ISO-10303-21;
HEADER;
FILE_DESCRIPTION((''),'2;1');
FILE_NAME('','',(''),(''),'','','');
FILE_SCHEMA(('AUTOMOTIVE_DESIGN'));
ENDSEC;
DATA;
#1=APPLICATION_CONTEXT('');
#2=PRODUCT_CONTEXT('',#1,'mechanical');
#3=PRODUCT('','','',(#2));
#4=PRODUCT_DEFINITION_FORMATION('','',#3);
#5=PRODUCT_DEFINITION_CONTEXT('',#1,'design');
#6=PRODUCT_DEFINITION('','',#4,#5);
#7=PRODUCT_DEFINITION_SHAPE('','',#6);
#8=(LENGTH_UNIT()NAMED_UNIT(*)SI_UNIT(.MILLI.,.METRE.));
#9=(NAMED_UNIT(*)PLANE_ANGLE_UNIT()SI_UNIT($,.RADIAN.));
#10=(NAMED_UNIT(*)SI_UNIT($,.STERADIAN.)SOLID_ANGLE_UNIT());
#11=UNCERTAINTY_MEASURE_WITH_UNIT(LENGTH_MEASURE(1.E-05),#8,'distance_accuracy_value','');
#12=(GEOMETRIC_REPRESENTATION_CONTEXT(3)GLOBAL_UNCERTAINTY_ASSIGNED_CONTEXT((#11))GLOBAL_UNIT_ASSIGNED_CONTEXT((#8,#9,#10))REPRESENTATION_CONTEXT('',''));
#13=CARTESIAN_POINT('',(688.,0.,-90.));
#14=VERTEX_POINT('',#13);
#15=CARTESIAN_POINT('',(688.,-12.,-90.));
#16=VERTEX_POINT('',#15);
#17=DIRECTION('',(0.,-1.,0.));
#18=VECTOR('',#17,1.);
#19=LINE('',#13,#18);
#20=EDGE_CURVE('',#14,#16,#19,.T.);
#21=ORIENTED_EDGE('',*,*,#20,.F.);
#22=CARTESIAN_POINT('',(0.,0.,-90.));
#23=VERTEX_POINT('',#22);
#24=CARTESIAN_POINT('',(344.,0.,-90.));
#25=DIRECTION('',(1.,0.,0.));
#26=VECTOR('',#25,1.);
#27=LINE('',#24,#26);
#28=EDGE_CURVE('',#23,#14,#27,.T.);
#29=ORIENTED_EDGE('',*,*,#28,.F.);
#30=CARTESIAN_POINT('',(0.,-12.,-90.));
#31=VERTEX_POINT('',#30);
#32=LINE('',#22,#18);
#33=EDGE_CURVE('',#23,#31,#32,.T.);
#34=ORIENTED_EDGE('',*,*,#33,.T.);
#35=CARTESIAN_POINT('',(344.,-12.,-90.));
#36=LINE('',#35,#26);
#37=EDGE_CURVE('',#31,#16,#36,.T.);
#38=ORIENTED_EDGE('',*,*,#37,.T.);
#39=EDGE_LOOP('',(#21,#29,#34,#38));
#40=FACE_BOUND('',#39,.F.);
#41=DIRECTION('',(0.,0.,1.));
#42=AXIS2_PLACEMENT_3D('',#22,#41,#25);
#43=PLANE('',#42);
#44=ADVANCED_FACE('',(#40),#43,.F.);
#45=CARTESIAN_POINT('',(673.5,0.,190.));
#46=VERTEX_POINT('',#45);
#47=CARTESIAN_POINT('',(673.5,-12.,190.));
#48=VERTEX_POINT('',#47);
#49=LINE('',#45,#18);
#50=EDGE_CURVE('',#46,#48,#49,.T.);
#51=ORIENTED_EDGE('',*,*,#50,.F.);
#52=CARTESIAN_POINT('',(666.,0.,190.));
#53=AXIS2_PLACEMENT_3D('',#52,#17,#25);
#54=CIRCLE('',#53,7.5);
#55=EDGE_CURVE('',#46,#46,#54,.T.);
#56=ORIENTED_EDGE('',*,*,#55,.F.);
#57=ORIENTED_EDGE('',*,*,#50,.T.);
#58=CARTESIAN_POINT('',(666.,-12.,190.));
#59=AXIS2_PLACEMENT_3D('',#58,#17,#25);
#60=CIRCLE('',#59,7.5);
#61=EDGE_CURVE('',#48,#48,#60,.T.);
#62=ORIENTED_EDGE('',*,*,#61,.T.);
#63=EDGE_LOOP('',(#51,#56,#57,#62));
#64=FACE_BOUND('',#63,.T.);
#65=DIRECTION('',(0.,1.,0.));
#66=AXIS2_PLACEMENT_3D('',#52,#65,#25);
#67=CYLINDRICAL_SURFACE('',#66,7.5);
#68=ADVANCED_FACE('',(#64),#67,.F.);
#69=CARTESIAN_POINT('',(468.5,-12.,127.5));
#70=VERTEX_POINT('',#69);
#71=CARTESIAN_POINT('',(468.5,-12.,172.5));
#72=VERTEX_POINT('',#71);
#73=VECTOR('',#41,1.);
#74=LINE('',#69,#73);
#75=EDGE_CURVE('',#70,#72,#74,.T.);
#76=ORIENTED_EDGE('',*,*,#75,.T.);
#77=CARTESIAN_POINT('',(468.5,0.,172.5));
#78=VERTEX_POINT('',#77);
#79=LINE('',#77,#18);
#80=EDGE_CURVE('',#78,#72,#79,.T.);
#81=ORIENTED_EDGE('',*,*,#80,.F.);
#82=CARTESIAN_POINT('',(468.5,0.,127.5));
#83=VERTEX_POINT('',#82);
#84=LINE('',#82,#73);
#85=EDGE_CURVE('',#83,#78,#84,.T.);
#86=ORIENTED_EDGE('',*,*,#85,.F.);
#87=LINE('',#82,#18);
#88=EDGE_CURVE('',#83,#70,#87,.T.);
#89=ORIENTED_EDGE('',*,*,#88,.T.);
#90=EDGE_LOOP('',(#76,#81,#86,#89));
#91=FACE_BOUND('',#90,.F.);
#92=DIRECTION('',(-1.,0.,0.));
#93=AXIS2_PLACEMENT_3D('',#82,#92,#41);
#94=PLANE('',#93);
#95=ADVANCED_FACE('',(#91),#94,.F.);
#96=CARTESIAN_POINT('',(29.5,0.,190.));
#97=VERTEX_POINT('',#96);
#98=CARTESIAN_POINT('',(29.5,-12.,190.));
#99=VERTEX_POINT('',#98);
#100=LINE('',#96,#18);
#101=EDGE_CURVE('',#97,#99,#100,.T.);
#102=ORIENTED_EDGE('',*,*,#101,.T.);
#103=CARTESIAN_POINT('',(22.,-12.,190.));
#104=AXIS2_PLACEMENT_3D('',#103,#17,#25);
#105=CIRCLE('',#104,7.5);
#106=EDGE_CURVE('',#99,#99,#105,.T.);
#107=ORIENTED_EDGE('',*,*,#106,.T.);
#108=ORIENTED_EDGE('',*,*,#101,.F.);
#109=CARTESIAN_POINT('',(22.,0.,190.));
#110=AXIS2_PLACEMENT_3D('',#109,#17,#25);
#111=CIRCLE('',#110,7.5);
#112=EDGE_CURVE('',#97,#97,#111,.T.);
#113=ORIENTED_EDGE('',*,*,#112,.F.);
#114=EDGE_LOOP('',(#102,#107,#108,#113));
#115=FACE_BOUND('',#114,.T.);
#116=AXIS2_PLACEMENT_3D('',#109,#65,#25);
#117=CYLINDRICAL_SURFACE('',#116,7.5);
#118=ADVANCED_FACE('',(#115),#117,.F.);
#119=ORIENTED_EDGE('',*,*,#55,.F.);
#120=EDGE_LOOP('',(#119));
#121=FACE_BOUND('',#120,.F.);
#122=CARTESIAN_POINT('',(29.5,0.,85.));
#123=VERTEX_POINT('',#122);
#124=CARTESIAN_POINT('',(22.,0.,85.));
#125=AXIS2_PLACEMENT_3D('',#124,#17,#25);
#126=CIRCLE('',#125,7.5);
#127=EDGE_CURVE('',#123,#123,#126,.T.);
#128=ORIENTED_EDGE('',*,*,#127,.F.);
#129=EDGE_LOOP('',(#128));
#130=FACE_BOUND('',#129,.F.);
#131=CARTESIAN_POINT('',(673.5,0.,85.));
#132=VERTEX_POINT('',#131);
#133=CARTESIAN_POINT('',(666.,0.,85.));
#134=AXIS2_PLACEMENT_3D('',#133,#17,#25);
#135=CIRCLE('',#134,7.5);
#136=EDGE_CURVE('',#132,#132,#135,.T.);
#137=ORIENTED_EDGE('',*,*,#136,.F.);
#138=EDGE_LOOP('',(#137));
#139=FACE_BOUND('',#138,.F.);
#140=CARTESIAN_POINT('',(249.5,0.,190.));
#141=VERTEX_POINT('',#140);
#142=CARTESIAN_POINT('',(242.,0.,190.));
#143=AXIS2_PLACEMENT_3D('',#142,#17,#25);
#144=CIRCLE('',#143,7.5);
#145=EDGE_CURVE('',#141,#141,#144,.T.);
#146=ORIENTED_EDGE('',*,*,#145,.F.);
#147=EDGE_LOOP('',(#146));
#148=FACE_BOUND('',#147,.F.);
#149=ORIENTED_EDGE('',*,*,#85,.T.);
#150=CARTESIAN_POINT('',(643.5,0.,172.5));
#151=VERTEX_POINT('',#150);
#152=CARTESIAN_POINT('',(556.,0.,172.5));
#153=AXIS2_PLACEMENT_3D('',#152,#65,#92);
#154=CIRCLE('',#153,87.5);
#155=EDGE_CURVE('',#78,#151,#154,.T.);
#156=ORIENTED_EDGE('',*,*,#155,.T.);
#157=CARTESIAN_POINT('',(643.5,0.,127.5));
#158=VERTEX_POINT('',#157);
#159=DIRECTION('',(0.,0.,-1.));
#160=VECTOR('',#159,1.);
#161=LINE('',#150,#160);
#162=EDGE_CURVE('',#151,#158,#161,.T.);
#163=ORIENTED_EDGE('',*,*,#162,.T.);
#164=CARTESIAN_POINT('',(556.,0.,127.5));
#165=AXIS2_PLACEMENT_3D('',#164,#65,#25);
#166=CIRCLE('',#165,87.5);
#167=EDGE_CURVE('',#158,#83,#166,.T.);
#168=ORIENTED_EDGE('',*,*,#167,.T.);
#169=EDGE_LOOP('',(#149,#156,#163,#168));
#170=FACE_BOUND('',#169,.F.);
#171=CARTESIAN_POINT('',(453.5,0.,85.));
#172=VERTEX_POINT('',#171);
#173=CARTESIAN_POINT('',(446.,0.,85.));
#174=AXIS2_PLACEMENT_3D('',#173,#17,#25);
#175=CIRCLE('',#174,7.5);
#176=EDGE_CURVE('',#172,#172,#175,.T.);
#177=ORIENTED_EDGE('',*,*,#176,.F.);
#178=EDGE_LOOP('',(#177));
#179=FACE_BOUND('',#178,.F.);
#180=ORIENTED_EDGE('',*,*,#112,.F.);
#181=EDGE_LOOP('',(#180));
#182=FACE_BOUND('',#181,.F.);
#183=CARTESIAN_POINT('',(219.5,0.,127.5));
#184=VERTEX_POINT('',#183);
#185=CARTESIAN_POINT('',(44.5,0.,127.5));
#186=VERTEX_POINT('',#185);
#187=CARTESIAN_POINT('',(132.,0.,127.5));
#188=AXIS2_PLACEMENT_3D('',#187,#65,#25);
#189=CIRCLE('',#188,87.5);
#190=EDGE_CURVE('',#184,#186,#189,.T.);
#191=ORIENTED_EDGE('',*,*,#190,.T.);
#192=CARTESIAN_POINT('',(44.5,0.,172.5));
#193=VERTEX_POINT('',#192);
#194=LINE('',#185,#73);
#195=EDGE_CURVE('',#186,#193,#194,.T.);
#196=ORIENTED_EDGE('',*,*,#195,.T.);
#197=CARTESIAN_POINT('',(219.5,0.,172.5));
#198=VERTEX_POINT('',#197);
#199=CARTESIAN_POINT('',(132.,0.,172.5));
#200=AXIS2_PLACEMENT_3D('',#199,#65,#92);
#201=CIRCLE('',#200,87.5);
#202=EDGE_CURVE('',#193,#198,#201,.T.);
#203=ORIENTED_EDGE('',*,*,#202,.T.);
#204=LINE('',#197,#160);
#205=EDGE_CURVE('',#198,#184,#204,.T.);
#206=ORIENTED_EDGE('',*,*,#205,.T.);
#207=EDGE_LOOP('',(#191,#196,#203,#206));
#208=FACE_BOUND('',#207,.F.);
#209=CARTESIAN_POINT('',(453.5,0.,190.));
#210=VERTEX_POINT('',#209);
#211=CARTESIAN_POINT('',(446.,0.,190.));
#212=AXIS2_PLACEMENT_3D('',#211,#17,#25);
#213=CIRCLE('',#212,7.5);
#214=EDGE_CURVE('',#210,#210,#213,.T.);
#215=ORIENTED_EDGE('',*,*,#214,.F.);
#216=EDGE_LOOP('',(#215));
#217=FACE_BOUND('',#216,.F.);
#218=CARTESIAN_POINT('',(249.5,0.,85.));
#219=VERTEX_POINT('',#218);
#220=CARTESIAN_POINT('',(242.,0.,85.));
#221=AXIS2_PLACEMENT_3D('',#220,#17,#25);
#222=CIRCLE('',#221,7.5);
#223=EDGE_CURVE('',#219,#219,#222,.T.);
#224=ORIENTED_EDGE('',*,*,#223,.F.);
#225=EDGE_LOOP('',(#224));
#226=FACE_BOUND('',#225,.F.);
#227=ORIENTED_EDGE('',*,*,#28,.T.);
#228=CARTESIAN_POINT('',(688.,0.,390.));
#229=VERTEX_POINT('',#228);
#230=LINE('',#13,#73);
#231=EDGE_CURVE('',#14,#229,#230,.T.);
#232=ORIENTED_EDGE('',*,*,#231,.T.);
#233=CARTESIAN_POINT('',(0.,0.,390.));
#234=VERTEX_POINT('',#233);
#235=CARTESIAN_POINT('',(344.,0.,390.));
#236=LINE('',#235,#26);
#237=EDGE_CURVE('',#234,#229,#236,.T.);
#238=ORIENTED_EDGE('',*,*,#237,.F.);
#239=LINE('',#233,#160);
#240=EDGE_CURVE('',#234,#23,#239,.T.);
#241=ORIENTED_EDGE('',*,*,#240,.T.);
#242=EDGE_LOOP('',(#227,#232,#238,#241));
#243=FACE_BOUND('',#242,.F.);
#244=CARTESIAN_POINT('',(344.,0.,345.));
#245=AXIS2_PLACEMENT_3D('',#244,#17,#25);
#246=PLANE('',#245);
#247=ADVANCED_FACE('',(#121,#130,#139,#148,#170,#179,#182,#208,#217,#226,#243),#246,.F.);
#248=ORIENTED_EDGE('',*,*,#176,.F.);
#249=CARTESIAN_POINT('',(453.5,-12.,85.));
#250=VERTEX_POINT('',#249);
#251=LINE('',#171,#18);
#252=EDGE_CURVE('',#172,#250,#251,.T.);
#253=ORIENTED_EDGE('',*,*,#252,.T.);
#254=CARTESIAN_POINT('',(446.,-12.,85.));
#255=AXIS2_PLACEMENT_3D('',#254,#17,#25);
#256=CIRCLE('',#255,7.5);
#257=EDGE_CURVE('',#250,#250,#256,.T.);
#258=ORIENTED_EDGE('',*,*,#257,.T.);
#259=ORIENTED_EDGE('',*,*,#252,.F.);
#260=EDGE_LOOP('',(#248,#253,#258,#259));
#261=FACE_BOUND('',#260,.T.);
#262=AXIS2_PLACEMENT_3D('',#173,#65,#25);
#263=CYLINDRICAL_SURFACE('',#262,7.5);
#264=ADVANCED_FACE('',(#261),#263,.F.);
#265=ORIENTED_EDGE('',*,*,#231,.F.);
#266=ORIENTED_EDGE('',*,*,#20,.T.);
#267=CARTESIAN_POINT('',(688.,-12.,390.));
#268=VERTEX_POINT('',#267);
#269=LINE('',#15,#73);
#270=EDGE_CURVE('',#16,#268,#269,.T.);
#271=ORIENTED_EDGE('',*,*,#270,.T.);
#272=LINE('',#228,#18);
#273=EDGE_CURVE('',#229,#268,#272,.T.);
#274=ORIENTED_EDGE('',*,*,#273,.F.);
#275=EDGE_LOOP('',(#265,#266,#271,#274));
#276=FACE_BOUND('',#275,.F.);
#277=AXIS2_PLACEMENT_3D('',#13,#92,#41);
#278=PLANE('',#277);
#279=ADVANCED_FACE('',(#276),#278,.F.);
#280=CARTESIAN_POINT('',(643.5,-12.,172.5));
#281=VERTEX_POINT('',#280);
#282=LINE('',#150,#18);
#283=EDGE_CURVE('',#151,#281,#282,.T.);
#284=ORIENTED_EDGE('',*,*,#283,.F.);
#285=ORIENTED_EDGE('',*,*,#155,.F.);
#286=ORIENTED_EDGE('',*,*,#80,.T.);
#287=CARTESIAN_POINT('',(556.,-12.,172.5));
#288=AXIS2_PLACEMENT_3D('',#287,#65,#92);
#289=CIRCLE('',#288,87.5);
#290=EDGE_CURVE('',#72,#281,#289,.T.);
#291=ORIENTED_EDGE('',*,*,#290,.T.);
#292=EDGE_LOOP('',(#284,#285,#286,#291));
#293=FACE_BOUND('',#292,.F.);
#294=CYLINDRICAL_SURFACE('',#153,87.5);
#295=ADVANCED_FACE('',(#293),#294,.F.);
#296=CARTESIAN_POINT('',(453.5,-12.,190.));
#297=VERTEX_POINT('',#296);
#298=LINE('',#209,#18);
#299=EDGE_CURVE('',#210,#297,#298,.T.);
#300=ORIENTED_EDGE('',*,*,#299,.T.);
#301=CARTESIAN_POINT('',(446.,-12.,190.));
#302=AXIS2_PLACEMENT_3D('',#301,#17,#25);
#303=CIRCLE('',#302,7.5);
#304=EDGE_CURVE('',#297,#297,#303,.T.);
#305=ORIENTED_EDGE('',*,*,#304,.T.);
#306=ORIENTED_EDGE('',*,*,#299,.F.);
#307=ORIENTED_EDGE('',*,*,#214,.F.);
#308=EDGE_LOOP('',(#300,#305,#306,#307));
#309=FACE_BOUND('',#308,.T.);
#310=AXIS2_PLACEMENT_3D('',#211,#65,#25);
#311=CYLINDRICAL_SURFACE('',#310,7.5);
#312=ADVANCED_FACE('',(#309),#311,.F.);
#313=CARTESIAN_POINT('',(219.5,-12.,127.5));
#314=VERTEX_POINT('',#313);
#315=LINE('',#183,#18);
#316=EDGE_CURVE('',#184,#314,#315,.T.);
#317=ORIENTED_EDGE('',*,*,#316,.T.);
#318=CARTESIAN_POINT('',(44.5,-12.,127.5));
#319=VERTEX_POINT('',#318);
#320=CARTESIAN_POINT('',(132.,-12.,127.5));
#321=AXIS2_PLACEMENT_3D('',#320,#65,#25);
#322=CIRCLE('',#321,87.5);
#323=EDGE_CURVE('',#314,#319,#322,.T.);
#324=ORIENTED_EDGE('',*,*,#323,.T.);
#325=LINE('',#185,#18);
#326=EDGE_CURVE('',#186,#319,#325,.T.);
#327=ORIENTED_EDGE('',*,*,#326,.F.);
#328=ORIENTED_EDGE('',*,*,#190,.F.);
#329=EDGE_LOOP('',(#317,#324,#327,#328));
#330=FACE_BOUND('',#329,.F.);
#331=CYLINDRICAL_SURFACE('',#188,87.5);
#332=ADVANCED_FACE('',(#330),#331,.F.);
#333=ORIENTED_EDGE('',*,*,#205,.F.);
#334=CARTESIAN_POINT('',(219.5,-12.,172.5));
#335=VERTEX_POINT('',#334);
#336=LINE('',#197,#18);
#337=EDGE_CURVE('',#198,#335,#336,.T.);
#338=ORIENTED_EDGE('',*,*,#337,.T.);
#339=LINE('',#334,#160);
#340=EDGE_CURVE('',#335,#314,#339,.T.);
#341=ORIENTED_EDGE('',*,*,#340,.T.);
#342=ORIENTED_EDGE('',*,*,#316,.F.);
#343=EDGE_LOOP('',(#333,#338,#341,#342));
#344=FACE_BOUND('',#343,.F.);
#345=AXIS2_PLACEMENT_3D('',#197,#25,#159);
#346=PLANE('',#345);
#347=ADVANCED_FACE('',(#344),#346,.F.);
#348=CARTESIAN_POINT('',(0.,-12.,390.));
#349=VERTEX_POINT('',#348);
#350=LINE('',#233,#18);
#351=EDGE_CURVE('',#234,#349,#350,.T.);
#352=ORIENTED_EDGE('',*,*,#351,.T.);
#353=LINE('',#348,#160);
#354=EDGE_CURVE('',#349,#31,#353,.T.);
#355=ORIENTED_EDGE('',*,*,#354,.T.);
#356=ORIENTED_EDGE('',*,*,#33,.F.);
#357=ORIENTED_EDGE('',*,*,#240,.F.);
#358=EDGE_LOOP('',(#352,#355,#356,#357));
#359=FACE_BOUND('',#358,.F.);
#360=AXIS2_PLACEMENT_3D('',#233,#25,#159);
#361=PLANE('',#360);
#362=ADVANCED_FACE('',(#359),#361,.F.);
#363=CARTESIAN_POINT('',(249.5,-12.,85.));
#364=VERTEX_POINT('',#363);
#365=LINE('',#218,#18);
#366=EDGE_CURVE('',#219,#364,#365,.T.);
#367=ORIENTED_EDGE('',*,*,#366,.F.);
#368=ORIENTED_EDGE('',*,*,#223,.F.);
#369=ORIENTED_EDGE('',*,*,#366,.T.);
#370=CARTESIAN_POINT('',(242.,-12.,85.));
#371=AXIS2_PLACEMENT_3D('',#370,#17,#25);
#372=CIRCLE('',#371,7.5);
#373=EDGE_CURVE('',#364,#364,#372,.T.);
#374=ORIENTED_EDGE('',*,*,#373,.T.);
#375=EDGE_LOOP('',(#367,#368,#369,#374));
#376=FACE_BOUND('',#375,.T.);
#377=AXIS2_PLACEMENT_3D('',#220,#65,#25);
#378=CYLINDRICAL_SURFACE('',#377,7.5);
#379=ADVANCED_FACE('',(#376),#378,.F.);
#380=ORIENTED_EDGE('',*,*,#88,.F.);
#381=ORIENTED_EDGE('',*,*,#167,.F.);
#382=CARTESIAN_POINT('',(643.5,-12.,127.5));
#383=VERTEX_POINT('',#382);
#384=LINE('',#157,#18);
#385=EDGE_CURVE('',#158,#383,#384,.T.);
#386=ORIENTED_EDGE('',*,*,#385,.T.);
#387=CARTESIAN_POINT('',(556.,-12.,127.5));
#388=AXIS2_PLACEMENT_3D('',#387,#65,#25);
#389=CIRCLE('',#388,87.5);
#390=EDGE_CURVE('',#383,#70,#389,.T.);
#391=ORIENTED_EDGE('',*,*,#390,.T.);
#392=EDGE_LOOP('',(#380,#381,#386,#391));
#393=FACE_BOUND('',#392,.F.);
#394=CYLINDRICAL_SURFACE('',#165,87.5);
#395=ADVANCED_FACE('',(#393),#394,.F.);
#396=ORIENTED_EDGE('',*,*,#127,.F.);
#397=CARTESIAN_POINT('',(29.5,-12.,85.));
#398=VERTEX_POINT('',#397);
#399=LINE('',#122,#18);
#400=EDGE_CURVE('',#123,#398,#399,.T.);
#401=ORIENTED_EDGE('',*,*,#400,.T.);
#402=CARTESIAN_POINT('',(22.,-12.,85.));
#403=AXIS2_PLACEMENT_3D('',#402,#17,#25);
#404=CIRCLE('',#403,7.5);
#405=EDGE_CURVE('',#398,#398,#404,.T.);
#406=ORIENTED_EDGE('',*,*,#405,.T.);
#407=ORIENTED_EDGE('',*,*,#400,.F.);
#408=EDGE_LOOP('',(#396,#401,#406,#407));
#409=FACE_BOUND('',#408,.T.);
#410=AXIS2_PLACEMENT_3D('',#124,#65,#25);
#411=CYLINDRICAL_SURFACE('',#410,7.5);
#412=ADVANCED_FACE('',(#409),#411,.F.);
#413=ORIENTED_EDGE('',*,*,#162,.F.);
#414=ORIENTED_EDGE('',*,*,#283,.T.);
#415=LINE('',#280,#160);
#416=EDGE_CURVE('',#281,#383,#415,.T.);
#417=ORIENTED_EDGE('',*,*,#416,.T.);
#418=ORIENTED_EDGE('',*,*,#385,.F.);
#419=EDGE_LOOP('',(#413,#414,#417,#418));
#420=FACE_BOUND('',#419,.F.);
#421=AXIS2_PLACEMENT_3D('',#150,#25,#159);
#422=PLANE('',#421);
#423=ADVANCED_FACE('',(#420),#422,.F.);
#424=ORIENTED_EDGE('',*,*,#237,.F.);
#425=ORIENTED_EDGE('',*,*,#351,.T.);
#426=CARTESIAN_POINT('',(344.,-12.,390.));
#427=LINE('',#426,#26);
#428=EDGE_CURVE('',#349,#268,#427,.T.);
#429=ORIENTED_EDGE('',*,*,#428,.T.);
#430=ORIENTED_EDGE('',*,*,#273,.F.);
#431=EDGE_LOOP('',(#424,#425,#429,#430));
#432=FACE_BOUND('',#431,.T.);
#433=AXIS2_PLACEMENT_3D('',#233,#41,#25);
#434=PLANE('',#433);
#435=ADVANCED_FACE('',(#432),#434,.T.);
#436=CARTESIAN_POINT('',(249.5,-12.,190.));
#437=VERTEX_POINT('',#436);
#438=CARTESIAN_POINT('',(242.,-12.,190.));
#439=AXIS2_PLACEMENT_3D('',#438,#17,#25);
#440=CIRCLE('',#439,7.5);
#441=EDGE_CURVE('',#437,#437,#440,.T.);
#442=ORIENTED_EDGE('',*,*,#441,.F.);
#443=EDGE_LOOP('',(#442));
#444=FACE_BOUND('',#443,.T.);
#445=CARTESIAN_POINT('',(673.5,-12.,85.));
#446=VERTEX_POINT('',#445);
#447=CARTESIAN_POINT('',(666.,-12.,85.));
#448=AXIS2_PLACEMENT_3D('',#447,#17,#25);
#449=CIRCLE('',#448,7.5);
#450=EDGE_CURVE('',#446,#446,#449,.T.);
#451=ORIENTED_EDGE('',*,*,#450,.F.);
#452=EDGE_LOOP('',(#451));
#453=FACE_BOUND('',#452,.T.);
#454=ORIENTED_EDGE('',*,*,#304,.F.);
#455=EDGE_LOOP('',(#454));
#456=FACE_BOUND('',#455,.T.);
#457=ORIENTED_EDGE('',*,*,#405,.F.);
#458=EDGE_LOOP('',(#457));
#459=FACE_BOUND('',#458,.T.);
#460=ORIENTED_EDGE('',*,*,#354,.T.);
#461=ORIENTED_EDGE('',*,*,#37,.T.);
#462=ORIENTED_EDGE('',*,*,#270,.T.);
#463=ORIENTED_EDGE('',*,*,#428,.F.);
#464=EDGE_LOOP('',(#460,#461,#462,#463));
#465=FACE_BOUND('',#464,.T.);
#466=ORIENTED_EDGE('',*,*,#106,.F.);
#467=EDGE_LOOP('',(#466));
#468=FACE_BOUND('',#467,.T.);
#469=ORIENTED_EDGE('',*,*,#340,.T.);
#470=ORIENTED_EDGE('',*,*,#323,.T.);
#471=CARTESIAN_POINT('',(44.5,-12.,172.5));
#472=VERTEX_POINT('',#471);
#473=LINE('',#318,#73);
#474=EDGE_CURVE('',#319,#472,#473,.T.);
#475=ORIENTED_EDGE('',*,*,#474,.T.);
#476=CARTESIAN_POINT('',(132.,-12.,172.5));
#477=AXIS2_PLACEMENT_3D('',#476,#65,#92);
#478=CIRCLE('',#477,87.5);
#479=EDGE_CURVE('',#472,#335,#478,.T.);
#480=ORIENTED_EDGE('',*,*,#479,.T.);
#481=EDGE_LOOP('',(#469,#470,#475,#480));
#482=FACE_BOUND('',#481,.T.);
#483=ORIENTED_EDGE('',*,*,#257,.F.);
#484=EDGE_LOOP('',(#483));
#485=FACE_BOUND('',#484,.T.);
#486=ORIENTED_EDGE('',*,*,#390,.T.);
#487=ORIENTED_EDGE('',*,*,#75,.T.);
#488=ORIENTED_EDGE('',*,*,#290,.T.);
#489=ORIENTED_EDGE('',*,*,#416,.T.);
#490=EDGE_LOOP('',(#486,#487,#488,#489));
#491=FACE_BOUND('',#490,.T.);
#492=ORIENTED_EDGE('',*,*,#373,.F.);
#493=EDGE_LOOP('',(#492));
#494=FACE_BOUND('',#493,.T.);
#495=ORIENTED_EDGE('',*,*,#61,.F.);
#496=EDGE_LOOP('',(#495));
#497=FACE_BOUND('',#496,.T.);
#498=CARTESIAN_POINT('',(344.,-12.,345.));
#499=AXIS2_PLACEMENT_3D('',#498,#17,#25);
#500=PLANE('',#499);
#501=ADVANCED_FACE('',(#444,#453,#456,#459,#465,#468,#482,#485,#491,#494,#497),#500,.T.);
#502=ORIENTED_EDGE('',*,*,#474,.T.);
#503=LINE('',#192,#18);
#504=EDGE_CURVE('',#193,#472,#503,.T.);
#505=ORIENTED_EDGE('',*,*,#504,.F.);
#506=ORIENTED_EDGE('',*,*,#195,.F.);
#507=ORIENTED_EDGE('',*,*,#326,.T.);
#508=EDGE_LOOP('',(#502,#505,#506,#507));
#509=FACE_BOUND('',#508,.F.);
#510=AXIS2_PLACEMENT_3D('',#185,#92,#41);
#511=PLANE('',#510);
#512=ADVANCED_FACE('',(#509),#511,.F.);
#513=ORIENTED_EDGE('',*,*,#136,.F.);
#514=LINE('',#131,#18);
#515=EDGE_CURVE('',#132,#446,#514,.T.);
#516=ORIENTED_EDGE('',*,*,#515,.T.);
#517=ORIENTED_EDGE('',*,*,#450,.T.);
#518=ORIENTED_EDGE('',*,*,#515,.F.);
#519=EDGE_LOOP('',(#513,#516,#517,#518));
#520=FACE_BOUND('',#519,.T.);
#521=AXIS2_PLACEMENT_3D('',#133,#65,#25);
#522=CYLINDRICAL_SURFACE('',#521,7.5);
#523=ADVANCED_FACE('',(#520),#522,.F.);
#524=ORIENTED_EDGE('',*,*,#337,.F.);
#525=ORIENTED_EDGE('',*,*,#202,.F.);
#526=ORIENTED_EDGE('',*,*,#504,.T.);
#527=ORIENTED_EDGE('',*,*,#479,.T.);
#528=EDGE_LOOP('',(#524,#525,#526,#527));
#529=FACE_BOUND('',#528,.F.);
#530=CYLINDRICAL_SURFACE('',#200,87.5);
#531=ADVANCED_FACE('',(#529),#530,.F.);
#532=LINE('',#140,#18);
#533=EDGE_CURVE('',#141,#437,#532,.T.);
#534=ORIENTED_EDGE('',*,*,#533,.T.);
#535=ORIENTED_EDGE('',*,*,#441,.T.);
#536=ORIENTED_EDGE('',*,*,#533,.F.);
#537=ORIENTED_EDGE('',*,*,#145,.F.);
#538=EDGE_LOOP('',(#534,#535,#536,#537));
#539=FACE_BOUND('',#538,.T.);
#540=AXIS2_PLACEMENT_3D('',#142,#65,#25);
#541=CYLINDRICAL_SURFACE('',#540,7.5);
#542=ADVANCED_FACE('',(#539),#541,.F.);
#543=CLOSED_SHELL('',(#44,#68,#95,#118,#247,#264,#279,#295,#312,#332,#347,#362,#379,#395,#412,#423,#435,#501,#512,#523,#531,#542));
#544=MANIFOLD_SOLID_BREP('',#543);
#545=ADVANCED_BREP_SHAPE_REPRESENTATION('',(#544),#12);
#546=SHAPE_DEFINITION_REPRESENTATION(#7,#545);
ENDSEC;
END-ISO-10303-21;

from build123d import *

# Parameters (mm, degrees)
F0_W     = 688
F0_H     = 90
F0_H_2   = 300
F0_R     = 7.5
F1_DEPTH = 12


with BuildPart() as f1:
    # F0 (on Front) → F1 (new body)
    with BuildSketch(Plane.XZ):
        with Locations((344, 345)):
            Rectangle(F0_W, F0_H)
        with Locations((344, 150)):
            Rectangle(F0_W, F0_H_2)
        with Locations((22, 85)):
            Circle(F0_R, mode=Mode.SUBTRACT)
        with Locations((242, 85)):
            Circle(F0_R, mode=Mode.SUBTRACT)
        with Locations((446, 85)):
            Circle(F0_R, mode=Mode.SUBTRACT)
        with Locations((666, 85)):
            Circle(F0_R, mode=Mode.SUBTRACT)
        with Locations((22, 190)):
            Circle(F0_R, mode=Mode.SUBTRACT)
        with BuildLine():
            ThreePointArc((44.5, 172.5), (132, 260), (219.5, 172.5))
            Line((219.5, 172.5), (219.5, 127.5))
            ThreePointArc((219.5, 127.5), (132, 40), (44.5, 127.5))
            Line((44.5, 127.5), (44.5, 172.5))
        make_face(mode=Mode.SUBTRACT)
        with Locations((242, 190)):
            Circle(F0_R, mode=Mode.SUBTRACT)
        with Locations((446, 190)):
            Circle(F0_R, mode=Mode.SUBTRACT)
        with BuildLine():
            ThreePointArc((468.5, 172.5), (556, 260), (643.5, 172.5))
            Line((643.5, 172.5), (643.5, 127.5))
            ThreePointArc((643.5, 127.5), (556, 40), (468.5, 127.5))
            Line((468.5, 127.5), (468.5, 172.5))
        make_face(mode=Mode.SUBTRACT)
        with Locations((666, 190)):
            Circle(F0_R, mode=Mode.SUBTRACT)
        with Locations((344, -45)):
            Rectangle(F0_W, F0_H)
    extrude(amount=F1_DEPTH)


solid = f1.part
